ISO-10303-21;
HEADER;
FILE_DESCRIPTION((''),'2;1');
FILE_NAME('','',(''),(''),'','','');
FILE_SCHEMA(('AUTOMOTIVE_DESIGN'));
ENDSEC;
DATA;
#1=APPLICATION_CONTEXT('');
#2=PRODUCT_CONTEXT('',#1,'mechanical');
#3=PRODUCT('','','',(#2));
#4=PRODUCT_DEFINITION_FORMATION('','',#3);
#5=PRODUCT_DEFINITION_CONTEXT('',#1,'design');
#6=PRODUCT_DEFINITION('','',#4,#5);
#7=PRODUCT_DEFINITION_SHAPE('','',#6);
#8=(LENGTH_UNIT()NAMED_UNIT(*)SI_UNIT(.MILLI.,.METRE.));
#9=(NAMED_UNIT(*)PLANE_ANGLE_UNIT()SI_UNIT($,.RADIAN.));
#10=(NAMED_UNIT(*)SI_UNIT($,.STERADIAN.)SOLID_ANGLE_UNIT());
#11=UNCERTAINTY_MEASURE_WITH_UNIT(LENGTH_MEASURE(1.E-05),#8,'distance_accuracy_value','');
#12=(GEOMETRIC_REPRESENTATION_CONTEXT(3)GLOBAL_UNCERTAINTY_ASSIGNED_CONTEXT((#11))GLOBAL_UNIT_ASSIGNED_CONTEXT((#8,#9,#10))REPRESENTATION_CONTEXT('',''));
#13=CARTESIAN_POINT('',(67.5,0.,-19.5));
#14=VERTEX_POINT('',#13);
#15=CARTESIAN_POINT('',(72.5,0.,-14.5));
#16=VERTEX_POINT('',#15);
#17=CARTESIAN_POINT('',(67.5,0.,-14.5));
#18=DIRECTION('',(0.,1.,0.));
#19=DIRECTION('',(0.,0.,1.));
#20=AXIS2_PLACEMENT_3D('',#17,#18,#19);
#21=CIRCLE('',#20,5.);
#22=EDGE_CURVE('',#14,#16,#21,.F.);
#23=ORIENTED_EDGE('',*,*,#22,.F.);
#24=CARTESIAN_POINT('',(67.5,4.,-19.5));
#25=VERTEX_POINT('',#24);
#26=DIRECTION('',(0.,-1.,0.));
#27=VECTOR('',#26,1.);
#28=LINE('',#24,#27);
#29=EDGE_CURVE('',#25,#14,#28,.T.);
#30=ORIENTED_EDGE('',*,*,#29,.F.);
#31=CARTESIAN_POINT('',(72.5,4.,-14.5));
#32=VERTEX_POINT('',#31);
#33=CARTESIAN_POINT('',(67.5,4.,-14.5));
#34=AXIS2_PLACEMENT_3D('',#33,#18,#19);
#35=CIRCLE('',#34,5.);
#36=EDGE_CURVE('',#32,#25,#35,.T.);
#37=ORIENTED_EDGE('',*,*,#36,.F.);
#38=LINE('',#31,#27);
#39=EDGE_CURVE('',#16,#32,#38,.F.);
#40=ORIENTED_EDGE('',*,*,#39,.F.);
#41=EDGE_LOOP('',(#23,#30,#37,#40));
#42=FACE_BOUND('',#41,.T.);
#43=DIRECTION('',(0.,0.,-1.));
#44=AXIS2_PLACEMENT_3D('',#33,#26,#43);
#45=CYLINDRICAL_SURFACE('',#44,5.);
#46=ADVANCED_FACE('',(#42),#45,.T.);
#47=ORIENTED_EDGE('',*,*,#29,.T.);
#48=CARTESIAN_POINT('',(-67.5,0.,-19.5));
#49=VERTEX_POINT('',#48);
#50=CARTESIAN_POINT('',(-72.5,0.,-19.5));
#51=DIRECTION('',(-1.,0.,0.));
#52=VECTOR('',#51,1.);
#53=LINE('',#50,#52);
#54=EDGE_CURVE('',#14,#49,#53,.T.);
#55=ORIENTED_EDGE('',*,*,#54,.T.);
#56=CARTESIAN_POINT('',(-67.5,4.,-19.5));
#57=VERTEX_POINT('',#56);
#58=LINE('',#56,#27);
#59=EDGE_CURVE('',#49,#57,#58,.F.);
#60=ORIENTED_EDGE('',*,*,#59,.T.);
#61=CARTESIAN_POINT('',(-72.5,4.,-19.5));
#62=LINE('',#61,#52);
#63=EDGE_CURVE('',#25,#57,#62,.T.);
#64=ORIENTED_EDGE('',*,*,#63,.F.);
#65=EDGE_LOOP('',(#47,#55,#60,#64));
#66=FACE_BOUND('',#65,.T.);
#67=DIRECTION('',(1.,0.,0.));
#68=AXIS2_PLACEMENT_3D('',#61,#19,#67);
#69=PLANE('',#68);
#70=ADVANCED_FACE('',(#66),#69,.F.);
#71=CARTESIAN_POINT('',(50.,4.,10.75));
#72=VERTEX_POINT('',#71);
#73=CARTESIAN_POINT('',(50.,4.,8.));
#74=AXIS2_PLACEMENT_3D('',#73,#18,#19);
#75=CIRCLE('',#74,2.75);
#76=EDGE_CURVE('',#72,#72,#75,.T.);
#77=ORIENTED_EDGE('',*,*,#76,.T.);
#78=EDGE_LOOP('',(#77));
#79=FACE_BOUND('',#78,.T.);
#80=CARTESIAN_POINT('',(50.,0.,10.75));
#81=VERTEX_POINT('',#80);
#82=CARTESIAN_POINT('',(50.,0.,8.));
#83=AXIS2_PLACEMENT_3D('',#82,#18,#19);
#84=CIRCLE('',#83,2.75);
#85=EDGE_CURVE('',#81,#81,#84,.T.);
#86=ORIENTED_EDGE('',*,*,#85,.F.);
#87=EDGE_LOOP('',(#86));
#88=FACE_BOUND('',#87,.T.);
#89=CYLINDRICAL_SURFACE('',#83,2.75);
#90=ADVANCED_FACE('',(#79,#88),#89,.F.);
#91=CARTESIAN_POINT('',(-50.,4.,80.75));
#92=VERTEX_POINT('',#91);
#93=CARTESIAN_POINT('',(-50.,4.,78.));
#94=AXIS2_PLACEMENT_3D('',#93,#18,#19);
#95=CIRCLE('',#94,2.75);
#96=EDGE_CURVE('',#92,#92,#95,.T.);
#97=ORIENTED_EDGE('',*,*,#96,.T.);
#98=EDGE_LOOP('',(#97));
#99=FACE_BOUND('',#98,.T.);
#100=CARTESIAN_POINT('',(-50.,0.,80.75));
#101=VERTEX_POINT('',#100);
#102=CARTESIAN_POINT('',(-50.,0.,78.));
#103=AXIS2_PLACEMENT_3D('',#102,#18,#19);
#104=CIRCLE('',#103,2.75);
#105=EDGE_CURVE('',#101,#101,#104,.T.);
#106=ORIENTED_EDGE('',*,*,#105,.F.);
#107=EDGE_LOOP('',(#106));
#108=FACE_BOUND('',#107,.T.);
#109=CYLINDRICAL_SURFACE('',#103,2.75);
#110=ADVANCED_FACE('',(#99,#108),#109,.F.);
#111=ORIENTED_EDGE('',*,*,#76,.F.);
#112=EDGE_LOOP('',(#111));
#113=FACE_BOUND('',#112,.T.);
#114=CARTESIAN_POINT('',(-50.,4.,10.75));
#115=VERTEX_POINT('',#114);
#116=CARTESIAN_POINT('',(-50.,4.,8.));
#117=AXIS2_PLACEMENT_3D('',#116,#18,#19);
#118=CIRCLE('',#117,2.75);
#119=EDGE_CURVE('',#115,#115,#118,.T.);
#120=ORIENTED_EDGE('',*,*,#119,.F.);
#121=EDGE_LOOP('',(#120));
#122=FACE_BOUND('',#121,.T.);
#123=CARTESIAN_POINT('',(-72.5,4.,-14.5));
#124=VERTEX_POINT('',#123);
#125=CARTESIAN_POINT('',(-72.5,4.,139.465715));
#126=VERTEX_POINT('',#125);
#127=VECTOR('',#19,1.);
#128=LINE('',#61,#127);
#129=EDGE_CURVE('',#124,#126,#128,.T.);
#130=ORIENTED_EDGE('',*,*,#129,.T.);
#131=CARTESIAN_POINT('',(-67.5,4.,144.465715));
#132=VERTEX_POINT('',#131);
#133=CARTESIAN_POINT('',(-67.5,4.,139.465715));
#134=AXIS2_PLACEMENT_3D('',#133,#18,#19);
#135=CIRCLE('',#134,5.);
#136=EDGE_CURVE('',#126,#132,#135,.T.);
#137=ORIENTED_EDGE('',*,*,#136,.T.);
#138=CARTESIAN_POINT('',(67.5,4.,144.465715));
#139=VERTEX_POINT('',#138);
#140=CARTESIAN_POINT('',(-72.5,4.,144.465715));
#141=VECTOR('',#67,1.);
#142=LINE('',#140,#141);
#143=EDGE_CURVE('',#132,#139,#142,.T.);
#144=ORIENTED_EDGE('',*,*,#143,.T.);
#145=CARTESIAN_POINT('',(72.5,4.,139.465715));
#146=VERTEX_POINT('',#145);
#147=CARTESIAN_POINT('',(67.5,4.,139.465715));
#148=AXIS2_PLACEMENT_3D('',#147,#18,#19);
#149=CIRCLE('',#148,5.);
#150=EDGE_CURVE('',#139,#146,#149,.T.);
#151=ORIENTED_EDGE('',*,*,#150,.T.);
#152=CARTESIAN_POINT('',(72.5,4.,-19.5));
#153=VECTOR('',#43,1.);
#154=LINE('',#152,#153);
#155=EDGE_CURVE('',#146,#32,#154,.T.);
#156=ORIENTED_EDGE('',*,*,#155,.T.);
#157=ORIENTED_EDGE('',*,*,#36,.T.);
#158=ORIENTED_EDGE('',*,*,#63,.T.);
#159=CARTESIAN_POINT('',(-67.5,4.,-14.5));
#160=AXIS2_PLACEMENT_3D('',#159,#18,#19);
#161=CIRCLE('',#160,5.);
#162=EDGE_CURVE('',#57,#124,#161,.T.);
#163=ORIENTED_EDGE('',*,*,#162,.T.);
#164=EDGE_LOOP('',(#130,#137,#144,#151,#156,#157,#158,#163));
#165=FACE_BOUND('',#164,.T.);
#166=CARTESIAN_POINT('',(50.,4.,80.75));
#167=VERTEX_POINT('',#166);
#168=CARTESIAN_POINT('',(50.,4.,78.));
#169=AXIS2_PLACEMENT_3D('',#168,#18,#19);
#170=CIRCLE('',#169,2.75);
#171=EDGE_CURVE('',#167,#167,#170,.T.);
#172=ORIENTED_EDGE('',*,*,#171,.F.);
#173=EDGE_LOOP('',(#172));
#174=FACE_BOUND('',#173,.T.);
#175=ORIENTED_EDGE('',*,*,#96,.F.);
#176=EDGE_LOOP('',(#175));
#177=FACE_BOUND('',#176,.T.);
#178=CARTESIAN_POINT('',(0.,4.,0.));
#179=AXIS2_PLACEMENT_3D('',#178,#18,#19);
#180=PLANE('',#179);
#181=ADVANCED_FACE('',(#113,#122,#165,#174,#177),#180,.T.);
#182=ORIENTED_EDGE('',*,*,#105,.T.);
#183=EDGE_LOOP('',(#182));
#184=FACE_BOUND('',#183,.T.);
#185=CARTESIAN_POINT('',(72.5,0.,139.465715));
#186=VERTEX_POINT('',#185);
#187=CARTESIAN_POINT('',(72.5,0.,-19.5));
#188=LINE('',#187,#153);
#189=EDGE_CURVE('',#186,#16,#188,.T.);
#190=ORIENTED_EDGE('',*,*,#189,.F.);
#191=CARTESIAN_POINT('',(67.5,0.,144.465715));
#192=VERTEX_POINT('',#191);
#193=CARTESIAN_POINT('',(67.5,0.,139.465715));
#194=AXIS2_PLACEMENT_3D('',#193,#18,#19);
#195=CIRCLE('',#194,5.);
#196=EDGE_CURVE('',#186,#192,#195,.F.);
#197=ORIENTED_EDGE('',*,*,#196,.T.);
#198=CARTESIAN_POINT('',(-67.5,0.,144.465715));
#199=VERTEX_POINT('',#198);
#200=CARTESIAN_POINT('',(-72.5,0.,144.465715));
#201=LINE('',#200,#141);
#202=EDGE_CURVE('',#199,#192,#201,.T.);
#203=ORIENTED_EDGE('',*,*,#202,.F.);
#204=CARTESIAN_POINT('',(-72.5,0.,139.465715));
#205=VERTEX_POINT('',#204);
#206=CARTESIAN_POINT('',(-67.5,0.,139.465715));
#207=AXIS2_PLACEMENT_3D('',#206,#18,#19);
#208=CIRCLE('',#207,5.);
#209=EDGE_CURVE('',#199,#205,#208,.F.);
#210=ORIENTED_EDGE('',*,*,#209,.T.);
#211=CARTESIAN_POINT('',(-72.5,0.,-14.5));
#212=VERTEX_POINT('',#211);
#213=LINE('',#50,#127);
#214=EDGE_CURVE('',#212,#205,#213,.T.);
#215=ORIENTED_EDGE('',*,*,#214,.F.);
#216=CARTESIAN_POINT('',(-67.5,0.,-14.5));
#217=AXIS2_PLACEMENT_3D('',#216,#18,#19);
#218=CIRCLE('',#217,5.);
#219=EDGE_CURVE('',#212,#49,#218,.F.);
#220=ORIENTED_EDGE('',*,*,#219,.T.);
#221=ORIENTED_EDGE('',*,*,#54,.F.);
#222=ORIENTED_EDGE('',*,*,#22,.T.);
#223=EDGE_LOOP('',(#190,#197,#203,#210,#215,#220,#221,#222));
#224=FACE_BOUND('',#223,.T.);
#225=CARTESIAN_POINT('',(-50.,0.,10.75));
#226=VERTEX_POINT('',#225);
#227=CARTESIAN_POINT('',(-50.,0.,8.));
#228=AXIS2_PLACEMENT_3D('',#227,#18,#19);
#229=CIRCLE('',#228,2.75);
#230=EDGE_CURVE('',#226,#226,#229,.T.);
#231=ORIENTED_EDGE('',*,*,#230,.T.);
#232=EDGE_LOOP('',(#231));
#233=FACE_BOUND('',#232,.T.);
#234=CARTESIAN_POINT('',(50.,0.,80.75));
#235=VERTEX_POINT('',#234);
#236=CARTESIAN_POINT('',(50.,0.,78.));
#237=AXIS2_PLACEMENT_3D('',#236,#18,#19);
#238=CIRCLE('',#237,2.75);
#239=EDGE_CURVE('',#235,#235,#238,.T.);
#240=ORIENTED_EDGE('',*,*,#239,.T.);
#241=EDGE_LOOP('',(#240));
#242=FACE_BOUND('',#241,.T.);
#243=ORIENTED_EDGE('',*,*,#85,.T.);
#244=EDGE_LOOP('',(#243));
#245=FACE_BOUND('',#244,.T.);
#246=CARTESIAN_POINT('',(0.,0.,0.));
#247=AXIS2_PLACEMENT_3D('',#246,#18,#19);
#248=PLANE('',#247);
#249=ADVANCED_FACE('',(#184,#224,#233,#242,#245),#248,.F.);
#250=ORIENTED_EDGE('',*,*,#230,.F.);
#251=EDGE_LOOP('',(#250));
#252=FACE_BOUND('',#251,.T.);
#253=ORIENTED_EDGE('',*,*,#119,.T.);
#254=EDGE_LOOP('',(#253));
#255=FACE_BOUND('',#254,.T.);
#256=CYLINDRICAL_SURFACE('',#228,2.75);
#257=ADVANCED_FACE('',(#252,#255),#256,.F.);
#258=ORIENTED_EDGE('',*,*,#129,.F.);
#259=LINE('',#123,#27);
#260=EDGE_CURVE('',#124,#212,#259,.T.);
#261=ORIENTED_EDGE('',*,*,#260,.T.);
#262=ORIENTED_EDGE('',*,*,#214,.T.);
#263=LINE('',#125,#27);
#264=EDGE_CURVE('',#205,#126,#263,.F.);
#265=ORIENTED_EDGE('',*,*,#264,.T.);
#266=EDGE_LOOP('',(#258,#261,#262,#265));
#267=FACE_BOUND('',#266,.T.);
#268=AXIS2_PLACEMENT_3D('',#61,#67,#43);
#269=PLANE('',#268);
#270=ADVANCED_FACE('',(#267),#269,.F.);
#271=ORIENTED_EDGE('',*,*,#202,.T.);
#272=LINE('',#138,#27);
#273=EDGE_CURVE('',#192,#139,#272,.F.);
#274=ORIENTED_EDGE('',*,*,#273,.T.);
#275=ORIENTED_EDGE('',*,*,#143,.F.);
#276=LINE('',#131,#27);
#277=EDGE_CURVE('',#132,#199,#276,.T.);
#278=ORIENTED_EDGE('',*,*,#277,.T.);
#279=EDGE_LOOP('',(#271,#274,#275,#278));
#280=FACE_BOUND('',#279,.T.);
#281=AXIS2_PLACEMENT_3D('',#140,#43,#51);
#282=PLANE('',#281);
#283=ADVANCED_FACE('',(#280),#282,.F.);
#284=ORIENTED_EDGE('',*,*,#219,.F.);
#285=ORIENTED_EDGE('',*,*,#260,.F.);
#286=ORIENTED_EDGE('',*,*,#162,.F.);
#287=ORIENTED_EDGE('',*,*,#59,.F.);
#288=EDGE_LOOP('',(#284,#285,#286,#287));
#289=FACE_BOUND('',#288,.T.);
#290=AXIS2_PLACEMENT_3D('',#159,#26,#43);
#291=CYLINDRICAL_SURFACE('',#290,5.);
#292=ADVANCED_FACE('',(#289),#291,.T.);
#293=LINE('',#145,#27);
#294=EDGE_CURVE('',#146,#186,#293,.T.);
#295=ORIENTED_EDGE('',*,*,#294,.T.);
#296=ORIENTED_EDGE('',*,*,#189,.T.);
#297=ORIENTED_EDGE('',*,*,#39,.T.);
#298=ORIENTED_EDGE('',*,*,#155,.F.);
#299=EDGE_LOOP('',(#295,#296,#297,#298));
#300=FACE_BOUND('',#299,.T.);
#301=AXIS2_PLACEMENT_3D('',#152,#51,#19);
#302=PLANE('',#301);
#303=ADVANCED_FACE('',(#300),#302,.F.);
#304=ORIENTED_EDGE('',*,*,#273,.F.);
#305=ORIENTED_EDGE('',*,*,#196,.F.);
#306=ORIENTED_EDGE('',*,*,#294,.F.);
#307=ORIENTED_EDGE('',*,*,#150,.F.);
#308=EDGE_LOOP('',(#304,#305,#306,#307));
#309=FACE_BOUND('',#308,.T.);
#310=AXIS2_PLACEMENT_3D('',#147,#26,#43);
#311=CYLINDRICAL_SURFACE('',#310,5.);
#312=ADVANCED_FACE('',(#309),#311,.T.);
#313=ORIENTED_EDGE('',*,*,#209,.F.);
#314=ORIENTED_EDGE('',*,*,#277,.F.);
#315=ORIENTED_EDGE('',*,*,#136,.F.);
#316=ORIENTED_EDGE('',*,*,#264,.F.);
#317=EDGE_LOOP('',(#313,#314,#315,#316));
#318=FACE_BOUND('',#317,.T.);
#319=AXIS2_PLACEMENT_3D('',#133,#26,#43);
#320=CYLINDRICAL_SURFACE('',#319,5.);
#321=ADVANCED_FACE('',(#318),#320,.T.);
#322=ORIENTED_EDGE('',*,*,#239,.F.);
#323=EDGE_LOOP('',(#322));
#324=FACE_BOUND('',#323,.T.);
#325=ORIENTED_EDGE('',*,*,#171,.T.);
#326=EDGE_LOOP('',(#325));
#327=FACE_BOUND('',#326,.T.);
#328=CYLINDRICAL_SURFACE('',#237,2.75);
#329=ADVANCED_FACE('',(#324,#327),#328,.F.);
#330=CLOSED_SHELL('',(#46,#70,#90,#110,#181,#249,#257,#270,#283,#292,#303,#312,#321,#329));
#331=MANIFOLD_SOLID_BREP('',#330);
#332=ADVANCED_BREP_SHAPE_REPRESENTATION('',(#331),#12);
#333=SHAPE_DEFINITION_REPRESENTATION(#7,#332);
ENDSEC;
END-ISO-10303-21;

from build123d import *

# Parameters (mm, degrees)
SKETCH_1_W          = 145
SKETCH_1_H          = 163.96571483
F_145X120X4MM_DEPTH = 4
SKETCH_2_R          = 2.75
M3_90X70MM_DEPTH    = 162.686711765
FILLET_R5_R         = 5


with BuildPart() as part:
    # 草图1 → 承托板_145x120x4mm (new body)
    with BuildSketch(Plane(origin=(0, 0, 0), x_dir=(1, 0, 0), z_dir=(0, 1, 0))):
        with Locations((0, -62.482857415)):
            Rectangle(SKETCH_1_W, SKETCH_1_H)
    extrude(amount=F_145X120X4MM_DEPTH)

    # 草图2 → 四个M3连接孔_90x70mm (cut, through all)
    with BuildSketch(Plane(origin=(0, 4, 0), x_dir=(1, 0, 0), z_dir=(0, 1, 0))):
        with Locations(Location((-50, -8, 0), (0, 0, 270))):
            Circle(SKETCH_2_R)
        with Locations(Location((-50, -78, 0), (0, 0, 270))):
            Circle(SKETCH_2_R)
        with Locations(Location((50, -8, 0), (0, 0, 270))):
            Circle(SKETCH_2_R)
        with Locations(Location((50, -78, 0), (0, 0, 270))):
            Circle(SKETCH_2_R)
    extrude(amount=-M3_90X70MM_DEPTH, mode=Mode.SUBTRACT)

    # 四角圆角_R5
    fillet_r5_edges = [part.edges().sort_by_distance(p)[0] for p in [
        (-72.5, 2, -19.5),
        (72.5, 2, -19.5),
        (72.5, 2, 144.46571483),
        (-72.5, 2, 144.46571483),
    ]]
    fillet(fillet_r5_edges, radius=FILLET_R5_R)


solid = part.part
